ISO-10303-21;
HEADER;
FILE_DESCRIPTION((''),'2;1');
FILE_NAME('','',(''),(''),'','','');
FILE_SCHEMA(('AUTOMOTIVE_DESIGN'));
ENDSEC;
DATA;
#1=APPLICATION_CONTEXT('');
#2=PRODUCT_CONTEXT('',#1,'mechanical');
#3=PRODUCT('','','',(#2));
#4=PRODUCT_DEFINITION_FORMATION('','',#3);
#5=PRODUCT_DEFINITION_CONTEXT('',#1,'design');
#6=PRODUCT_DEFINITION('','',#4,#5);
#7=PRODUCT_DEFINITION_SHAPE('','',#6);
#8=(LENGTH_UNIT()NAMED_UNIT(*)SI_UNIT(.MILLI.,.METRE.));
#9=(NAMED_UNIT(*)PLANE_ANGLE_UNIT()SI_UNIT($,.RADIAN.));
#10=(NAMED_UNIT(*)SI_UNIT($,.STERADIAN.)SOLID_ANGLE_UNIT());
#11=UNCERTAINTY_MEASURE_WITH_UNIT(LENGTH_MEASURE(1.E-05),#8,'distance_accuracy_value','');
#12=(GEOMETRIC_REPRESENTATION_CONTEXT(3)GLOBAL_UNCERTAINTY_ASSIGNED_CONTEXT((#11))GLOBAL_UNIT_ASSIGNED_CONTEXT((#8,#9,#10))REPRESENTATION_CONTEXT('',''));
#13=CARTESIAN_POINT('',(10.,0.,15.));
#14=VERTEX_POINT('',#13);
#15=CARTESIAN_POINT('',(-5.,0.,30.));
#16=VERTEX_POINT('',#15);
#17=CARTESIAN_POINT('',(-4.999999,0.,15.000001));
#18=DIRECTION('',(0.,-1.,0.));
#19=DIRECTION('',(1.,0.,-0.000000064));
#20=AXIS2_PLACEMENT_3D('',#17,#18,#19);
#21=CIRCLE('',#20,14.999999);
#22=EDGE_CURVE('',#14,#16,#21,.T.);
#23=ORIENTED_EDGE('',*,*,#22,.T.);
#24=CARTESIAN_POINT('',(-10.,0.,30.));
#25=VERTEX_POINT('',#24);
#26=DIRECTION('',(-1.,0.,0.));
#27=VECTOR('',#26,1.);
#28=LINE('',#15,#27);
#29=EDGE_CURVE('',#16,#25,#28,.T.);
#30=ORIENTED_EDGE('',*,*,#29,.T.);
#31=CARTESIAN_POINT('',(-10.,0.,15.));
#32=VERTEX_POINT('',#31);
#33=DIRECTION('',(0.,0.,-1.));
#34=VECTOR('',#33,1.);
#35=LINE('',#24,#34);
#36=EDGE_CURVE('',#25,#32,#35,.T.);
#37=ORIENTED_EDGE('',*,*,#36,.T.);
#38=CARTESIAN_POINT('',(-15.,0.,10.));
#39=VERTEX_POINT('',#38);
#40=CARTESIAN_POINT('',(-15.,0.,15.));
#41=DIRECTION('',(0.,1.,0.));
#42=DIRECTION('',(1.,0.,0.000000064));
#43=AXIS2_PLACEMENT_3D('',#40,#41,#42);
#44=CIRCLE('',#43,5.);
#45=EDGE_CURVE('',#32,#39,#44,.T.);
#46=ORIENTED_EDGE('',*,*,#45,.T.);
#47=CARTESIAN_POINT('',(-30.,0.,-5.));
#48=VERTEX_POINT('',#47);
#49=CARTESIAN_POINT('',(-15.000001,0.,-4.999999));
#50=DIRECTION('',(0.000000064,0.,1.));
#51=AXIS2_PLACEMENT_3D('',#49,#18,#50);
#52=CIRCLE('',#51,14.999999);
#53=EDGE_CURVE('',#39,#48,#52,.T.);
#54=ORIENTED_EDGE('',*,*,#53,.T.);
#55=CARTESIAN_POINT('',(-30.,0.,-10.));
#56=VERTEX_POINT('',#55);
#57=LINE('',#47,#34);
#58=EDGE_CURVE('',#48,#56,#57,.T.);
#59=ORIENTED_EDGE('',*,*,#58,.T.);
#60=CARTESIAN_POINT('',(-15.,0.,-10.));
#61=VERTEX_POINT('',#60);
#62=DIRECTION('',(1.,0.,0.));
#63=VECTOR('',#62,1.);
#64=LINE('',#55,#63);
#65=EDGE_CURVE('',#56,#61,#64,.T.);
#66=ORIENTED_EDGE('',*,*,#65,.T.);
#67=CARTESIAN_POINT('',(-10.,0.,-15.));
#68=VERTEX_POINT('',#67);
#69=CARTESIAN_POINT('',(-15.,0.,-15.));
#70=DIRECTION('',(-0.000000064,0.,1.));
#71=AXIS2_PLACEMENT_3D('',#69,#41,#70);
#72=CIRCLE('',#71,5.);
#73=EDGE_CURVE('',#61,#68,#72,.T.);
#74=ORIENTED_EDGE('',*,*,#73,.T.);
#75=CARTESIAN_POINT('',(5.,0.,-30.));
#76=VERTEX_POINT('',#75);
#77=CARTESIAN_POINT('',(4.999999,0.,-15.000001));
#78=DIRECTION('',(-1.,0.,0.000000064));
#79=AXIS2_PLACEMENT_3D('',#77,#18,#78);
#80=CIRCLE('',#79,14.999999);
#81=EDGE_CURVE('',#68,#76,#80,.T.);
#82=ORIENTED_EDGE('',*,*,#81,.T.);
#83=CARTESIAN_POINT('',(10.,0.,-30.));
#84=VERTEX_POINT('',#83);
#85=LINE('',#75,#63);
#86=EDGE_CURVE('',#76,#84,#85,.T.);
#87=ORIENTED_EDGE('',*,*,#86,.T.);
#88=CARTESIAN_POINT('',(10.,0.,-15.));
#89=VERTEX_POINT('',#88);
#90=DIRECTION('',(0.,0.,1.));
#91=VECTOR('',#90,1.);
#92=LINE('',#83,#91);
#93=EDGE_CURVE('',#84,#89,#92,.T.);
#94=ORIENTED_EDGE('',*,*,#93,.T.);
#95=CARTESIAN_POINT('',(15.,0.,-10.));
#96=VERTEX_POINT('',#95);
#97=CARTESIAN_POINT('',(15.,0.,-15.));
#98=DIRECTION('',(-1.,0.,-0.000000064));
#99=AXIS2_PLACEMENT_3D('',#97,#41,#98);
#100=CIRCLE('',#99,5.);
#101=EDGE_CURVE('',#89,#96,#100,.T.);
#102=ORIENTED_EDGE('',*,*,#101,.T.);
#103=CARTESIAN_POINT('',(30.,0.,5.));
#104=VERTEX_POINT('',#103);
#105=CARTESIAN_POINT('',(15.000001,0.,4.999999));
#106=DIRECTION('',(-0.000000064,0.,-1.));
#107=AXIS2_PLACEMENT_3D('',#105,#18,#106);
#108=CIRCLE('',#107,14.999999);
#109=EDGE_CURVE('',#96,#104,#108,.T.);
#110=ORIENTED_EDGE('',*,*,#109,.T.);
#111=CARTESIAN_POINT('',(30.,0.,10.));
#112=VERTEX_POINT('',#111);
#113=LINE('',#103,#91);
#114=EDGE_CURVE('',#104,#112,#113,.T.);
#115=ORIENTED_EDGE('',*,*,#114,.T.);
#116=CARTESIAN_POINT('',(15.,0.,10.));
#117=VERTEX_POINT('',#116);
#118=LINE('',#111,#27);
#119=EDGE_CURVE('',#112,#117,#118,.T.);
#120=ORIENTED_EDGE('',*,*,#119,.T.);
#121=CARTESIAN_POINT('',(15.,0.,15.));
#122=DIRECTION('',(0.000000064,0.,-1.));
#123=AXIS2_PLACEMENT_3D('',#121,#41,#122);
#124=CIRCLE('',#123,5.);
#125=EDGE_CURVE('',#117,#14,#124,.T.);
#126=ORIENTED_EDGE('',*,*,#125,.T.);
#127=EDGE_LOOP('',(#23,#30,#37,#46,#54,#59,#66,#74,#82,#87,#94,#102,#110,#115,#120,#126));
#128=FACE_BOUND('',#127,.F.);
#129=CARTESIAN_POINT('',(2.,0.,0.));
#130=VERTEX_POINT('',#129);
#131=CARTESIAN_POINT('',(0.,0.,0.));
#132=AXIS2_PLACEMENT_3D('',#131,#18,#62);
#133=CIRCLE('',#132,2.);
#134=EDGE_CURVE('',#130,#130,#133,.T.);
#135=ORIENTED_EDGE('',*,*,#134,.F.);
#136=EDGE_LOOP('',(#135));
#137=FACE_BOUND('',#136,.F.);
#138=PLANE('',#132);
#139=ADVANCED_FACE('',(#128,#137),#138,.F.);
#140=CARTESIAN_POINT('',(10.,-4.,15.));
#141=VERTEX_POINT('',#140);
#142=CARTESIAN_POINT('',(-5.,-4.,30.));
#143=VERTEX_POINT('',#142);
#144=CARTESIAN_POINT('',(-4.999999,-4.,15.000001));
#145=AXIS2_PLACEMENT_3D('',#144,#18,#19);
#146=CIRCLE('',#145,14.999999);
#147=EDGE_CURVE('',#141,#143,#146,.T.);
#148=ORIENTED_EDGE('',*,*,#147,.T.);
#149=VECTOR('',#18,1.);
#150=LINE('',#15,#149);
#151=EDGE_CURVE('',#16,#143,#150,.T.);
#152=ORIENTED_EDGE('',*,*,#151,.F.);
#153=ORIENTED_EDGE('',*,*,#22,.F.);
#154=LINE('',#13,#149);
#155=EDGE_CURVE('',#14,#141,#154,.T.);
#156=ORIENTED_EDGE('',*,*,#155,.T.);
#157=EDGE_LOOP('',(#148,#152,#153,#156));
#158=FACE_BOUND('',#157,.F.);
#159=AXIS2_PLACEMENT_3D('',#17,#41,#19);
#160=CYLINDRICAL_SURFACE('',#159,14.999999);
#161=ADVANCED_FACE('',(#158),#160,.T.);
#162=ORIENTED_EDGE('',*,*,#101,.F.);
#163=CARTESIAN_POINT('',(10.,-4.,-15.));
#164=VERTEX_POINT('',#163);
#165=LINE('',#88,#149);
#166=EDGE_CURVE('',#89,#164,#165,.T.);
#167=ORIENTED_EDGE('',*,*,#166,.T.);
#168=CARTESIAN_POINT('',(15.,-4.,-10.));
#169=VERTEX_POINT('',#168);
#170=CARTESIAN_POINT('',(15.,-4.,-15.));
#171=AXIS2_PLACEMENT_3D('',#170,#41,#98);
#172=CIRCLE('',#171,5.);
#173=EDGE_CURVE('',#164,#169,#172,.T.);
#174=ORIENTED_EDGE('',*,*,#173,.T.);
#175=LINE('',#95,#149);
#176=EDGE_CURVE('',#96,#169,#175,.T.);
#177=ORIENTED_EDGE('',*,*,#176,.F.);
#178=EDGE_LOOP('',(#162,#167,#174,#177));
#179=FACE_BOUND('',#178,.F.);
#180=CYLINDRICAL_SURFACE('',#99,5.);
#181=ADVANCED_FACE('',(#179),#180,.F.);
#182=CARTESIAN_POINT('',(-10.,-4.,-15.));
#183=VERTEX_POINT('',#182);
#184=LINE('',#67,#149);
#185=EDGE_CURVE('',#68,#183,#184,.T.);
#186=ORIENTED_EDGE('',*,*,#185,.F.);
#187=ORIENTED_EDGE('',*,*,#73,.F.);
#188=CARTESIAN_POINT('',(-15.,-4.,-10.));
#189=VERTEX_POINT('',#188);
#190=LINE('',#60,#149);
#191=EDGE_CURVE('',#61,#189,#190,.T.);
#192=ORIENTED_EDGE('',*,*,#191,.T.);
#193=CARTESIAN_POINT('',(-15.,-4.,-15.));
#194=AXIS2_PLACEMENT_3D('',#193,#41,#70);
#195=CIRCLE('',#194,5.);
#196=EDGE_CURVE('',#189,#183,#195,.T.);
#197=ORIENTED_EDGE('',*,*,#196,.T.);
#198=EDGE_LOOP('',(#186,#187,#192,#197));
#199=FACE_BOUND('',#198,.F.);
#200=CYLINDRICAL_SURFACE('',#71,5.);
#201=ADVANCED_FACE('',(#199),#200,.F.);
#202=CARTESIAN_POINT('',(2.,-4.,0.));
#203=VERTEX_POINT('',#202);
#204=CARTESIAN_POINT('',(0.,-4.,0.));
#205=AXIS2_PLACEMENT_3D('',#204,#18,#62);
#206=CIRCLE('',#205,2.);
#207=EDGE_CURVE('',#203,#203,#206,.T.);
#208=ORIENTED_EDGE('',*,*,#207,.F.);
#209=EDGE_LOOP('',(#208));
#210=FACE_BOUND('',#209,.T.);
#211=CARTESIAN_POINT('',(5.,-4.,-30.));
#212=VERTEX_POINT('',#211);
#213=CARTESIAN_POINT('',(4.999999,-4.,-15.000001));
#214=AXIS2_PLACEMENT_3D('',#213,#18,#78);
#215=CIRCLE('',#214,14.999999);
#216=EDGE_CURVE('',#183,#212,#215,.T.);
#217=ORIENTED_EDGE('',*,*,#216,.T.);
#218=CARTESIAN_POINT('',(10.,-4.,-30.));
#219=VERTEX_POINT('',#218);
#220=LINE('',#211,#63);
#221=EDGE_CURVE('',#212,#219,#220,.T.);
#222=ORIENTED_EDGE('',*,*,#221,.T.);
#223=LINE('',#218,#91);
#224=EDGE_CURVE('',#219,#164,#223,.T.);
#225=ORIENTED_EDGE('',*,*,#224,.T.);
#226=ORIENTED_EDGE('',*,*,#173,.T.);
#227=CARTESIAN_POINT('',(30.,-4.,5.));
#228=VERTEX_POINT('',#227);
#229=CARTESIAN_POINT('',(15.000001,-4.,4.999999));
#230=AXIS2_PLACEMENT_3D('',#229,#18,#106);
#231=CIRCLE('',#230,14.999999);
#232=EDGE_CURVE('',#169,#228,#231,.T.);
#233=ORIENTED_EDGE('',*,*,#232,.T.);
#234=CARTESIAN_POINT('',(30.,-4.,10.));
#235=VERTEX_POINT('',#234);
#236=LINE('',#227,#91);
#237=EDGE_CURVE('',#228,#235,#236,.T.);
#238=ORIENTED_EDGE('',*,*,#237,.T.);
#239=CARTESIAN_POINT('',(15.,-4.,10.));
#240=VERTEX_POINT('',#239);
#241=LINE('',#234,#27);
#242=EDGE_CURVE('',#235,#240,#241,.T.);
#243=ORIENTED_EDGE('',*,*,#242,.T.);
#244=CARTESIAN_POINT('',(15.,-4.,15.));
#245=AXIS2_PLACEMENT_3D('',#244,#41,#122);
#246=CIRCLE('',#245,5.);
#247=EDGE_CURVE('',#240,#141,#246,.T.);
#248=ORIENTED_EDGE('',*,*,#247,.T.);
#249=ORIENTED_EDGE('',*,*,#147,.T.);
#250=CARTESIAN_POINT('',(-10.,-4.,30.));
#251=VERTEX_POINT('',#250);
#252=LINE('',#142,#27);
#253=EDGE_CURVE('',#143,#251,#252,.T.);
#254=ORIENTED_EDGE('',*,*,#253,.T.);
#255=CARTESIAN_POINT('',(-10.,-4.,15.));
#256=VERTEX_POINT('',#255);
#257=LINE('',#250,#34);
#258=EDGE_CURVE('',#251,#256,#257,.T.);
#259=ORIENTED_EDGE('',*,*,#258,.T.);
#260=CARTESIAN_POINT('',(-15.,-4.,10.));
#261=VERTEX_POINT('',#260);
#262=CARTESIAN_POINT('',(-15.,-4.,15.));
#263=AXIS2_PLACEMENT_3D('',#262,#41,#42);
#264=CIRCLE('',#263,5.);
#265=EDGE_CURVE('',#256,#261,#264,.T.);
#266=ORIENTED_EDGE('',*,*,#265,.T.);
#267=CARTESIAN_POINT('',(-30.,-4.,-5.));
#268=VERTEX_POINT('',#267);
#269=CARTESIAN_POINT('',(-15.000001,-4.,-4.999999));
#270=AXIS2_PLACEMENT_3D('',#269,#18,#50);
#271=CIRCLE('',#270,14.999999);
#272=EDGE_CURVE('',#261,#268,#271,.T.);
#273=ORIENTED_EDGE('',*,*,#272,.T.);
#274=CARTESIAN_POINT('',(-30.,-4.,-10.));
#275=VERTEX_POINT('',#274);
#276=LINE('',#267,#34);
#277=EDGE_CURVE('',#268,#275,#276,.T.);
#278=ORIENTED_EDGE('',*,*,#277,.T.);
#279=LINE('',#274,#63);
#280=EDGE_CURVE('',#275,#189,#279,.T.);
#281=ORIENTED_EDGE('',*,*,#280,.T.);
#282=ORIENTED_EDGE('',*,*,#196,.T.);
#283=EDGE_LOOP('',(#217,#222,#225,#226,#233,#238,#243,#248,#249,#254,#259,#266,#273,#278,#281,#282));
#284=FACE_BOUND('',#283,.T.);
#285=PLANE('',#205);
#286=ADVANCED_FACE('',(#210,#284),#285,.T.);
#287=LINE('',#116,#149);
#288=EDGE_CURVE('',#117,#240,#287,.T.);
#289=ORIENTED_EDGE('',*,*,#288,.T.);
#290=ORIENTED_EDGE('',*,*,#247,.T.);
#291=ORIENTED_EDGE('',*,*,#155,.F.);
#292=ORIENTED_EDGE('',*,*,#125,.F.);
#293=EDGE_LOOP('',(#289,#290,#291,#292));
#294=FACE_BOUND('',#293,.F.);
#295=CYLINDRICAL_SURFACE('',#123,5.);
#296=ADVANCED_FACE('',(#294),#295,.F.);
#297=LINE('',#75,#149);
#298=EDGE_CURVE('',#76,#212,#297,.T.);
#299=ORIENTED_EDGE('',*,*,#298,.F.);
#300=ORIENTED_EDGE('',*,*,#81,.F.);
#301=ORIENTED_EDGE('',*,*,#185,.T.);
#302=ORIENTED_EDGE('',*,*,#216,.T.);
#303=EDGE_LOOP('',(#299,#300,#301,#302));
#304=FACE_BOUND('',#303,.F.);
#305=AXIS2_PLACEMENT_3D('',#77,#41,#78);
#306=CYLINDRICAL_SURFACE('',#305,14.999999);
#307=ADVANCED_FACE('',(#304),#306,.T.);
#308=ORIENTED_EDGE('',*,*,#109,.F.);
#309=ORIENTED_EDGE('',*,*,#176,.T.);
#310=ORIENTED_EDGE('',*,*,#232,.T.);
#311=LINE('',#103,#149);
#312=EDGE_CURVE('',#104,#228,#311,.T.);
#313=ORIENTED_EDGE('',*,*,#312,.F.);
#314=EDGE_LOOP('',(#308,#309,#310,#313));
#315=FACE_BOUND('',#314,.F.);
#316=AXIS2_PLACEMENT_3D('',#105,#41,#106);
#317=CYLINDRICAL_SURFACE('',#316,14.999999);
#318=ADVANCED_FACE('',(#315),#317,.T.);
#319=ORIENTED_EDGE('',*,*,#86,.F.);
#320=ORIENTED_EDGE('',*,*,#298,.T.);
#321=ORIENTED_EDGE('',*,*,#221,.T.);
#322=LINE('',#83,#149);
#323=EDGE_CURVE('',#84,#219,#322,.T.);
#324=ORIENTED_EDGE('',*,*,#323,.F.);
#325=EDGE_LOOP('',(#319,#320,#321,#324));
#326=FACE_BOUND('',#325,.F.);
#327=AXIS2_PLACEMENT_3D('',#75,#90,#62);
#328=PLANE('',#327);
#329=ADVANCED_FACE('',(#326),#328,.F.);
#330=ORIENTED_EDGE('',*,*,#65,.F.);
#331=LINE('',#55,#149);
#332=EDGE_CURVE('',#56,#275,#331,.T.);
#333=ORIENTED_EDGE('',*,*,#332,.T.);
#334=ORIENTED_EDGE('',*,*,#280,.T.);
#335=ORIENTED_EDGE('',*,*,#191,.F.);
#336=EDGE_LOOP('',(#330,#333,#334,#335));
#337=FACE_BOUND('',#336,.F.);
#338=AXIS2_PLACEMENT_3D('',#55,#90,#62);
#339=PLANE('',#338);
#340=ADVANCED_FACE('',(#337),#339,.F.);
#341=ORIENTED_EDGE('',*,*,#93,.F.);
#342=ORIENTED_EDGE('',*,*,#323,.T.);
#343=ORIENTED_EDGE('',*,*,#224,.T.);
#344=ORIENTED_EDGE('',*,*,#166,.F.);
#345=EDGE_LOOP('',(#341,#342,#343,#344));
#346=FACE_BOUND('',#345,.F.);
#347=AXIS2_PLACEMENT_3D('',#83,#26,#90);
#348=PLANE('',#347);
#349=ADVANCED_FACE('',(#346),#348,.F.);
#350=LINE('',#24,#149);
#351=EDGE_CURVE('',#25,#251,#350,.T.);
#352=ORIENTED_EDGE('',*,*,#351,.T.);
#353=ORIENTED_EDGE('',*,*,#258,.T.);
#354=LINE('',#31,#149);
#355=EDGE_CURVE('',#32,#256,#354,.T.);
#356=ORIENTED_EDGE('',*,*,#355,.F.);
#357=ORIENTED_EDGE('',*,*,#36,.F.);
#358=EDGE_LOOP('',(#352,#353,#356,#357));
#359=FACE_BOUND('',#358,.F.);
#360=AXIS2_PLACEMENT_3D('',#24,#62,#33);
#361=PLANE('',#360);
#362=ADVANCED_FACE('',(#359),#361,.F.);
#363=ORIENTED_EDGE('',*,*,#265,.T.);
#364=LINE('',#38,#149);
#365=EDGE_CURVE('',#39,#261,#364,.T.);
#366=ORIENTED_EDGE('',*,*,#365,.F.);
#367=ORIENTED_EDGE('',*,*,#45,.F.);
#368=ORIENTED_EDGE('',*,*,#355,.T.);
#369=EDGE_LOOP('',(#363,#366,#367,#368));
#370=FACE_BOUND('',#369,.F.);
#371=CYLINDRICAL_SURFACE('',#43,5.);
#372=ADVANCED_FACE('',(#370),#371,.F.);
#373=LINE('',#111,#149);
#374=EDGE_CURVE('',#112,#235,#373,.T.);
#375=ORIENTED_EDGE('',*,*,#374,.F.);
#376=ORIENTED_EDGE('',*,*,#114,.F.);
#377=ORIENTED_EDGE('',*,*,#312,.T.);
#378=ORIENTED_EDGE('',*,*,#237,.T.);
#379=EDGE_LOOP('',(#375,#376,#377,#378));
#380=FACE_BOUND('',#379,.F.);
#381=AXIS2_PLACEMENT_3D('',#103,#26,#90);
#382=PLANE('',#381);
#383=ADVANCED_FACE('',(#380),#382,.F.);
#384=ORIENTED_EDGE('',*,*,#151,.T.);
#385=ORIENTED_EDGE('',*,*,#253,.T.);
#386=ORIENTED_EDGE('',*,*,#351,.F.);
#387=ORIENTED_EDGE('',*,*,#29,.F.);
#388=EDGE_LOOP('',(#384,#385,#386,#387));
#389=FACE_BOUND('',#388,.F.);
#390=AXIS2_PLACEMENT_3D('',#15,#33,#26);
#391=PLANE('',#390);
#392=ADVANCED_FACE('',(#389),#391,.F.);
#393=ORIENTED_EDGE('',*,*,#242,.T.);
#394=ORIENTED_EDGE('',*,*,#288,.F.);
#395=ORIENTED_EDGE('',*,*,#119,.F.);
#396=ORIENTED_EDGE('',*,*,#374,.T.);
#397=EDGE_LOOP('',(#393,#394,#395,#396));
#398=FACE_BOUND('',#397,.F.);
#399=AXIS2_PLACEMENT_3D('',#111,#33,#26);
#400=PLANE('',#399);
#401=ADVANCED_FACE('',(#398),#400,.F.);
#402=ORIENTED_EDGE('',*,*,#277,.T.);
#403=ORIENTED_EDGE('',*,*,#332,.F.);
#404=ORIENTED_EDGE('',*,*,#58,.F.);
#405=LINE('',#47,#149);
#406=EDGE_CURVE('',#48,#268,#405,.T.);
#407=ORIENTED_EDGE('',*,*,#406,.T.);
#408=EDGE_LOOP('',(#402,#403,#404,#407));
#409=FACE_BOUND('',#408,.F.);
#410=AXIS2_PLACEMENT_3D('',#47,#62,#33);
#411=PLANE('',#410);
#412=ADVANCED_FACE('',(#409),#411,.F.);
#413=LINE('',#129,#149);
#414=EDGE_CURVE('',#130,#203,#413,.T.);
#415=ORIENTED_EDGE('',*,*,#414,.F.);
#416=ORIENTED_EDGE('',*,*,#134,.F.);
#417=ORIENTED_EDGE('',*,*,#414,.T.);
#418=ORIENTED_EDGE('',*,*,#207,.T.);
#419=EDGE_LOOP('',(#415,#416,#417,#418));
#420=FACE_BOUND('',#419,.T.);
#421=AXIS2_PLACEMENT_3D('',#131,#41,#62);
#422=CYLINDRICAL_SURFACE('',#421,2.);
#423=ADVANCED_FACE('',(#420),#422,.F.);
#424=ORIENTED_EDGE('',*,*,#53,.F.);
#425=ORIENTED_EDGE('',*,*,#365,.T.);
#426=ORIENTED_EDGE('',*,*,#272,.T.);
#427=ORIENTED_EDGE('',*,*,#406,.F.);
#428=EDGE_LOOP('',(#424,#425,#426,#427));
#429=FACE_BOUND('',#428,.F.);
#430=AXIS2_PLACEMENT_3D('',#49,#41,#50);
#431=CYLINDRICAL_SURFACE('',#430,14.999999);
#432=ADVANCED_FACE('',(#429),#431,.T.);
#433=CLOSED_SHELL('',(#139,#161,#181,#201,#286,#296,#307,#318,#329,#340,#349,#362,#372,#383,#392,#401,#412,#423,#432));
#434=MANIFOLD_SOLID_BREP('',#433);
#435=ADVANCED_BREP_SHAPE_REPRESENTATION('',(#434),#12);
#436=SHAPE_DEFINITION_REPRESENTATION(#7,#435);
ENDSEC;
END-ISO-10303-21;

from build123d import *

# Parameters (mm, degrees)
F1_R     = 2
F2_DEPTH = 4


with BuildPart() as f2:
    # F1 (on Front) → F2 (new body)
    with BuildSketch(Plane.XZ):
        with BuildLine():
            ThreePointArc((10, 15), (5.606602, 25.606602), (-5, 30))
            Line((-5, 30), (-10, 30))
            Line((-10, 30), (-10, 15))
            ThreePointArc((-10, 15), (-11.464466, 11.464466), (-15, 10))
            ThreePointArc((-15, 10), (-25.606602, 5.606602), (-30, -5))
            Line((-30, -5), (-30, -10))
            Line((-30, -10), (-15, -10))
            ThreePointArc((-15, -10), (-11.464466, -11.464466), (-10, -15))
            ThreePointArc((-10, -15), (-5.606602, -25.606602), (5, -30))
            Line((5, -30), (10, -30))
            Line((10, -30), (10, -15))
            ThreePointArc((10, -15), (11.464466, -11.464466), (15, -10))
            ThreePointArc((15, -10), (25.606602, -5.606602), (30, 5))
            Line((30, 5), (30, 10))
            Line((30, 10), (15, 10))
            ThreePointArc((15, 10), (11.464466, 11.464466), (10, 15))
        make_face()
        Circle(F1_R, mode=Mode.SUBTRACT)
    extrude(amount=F2_DEPTH)


solid = f2.part
